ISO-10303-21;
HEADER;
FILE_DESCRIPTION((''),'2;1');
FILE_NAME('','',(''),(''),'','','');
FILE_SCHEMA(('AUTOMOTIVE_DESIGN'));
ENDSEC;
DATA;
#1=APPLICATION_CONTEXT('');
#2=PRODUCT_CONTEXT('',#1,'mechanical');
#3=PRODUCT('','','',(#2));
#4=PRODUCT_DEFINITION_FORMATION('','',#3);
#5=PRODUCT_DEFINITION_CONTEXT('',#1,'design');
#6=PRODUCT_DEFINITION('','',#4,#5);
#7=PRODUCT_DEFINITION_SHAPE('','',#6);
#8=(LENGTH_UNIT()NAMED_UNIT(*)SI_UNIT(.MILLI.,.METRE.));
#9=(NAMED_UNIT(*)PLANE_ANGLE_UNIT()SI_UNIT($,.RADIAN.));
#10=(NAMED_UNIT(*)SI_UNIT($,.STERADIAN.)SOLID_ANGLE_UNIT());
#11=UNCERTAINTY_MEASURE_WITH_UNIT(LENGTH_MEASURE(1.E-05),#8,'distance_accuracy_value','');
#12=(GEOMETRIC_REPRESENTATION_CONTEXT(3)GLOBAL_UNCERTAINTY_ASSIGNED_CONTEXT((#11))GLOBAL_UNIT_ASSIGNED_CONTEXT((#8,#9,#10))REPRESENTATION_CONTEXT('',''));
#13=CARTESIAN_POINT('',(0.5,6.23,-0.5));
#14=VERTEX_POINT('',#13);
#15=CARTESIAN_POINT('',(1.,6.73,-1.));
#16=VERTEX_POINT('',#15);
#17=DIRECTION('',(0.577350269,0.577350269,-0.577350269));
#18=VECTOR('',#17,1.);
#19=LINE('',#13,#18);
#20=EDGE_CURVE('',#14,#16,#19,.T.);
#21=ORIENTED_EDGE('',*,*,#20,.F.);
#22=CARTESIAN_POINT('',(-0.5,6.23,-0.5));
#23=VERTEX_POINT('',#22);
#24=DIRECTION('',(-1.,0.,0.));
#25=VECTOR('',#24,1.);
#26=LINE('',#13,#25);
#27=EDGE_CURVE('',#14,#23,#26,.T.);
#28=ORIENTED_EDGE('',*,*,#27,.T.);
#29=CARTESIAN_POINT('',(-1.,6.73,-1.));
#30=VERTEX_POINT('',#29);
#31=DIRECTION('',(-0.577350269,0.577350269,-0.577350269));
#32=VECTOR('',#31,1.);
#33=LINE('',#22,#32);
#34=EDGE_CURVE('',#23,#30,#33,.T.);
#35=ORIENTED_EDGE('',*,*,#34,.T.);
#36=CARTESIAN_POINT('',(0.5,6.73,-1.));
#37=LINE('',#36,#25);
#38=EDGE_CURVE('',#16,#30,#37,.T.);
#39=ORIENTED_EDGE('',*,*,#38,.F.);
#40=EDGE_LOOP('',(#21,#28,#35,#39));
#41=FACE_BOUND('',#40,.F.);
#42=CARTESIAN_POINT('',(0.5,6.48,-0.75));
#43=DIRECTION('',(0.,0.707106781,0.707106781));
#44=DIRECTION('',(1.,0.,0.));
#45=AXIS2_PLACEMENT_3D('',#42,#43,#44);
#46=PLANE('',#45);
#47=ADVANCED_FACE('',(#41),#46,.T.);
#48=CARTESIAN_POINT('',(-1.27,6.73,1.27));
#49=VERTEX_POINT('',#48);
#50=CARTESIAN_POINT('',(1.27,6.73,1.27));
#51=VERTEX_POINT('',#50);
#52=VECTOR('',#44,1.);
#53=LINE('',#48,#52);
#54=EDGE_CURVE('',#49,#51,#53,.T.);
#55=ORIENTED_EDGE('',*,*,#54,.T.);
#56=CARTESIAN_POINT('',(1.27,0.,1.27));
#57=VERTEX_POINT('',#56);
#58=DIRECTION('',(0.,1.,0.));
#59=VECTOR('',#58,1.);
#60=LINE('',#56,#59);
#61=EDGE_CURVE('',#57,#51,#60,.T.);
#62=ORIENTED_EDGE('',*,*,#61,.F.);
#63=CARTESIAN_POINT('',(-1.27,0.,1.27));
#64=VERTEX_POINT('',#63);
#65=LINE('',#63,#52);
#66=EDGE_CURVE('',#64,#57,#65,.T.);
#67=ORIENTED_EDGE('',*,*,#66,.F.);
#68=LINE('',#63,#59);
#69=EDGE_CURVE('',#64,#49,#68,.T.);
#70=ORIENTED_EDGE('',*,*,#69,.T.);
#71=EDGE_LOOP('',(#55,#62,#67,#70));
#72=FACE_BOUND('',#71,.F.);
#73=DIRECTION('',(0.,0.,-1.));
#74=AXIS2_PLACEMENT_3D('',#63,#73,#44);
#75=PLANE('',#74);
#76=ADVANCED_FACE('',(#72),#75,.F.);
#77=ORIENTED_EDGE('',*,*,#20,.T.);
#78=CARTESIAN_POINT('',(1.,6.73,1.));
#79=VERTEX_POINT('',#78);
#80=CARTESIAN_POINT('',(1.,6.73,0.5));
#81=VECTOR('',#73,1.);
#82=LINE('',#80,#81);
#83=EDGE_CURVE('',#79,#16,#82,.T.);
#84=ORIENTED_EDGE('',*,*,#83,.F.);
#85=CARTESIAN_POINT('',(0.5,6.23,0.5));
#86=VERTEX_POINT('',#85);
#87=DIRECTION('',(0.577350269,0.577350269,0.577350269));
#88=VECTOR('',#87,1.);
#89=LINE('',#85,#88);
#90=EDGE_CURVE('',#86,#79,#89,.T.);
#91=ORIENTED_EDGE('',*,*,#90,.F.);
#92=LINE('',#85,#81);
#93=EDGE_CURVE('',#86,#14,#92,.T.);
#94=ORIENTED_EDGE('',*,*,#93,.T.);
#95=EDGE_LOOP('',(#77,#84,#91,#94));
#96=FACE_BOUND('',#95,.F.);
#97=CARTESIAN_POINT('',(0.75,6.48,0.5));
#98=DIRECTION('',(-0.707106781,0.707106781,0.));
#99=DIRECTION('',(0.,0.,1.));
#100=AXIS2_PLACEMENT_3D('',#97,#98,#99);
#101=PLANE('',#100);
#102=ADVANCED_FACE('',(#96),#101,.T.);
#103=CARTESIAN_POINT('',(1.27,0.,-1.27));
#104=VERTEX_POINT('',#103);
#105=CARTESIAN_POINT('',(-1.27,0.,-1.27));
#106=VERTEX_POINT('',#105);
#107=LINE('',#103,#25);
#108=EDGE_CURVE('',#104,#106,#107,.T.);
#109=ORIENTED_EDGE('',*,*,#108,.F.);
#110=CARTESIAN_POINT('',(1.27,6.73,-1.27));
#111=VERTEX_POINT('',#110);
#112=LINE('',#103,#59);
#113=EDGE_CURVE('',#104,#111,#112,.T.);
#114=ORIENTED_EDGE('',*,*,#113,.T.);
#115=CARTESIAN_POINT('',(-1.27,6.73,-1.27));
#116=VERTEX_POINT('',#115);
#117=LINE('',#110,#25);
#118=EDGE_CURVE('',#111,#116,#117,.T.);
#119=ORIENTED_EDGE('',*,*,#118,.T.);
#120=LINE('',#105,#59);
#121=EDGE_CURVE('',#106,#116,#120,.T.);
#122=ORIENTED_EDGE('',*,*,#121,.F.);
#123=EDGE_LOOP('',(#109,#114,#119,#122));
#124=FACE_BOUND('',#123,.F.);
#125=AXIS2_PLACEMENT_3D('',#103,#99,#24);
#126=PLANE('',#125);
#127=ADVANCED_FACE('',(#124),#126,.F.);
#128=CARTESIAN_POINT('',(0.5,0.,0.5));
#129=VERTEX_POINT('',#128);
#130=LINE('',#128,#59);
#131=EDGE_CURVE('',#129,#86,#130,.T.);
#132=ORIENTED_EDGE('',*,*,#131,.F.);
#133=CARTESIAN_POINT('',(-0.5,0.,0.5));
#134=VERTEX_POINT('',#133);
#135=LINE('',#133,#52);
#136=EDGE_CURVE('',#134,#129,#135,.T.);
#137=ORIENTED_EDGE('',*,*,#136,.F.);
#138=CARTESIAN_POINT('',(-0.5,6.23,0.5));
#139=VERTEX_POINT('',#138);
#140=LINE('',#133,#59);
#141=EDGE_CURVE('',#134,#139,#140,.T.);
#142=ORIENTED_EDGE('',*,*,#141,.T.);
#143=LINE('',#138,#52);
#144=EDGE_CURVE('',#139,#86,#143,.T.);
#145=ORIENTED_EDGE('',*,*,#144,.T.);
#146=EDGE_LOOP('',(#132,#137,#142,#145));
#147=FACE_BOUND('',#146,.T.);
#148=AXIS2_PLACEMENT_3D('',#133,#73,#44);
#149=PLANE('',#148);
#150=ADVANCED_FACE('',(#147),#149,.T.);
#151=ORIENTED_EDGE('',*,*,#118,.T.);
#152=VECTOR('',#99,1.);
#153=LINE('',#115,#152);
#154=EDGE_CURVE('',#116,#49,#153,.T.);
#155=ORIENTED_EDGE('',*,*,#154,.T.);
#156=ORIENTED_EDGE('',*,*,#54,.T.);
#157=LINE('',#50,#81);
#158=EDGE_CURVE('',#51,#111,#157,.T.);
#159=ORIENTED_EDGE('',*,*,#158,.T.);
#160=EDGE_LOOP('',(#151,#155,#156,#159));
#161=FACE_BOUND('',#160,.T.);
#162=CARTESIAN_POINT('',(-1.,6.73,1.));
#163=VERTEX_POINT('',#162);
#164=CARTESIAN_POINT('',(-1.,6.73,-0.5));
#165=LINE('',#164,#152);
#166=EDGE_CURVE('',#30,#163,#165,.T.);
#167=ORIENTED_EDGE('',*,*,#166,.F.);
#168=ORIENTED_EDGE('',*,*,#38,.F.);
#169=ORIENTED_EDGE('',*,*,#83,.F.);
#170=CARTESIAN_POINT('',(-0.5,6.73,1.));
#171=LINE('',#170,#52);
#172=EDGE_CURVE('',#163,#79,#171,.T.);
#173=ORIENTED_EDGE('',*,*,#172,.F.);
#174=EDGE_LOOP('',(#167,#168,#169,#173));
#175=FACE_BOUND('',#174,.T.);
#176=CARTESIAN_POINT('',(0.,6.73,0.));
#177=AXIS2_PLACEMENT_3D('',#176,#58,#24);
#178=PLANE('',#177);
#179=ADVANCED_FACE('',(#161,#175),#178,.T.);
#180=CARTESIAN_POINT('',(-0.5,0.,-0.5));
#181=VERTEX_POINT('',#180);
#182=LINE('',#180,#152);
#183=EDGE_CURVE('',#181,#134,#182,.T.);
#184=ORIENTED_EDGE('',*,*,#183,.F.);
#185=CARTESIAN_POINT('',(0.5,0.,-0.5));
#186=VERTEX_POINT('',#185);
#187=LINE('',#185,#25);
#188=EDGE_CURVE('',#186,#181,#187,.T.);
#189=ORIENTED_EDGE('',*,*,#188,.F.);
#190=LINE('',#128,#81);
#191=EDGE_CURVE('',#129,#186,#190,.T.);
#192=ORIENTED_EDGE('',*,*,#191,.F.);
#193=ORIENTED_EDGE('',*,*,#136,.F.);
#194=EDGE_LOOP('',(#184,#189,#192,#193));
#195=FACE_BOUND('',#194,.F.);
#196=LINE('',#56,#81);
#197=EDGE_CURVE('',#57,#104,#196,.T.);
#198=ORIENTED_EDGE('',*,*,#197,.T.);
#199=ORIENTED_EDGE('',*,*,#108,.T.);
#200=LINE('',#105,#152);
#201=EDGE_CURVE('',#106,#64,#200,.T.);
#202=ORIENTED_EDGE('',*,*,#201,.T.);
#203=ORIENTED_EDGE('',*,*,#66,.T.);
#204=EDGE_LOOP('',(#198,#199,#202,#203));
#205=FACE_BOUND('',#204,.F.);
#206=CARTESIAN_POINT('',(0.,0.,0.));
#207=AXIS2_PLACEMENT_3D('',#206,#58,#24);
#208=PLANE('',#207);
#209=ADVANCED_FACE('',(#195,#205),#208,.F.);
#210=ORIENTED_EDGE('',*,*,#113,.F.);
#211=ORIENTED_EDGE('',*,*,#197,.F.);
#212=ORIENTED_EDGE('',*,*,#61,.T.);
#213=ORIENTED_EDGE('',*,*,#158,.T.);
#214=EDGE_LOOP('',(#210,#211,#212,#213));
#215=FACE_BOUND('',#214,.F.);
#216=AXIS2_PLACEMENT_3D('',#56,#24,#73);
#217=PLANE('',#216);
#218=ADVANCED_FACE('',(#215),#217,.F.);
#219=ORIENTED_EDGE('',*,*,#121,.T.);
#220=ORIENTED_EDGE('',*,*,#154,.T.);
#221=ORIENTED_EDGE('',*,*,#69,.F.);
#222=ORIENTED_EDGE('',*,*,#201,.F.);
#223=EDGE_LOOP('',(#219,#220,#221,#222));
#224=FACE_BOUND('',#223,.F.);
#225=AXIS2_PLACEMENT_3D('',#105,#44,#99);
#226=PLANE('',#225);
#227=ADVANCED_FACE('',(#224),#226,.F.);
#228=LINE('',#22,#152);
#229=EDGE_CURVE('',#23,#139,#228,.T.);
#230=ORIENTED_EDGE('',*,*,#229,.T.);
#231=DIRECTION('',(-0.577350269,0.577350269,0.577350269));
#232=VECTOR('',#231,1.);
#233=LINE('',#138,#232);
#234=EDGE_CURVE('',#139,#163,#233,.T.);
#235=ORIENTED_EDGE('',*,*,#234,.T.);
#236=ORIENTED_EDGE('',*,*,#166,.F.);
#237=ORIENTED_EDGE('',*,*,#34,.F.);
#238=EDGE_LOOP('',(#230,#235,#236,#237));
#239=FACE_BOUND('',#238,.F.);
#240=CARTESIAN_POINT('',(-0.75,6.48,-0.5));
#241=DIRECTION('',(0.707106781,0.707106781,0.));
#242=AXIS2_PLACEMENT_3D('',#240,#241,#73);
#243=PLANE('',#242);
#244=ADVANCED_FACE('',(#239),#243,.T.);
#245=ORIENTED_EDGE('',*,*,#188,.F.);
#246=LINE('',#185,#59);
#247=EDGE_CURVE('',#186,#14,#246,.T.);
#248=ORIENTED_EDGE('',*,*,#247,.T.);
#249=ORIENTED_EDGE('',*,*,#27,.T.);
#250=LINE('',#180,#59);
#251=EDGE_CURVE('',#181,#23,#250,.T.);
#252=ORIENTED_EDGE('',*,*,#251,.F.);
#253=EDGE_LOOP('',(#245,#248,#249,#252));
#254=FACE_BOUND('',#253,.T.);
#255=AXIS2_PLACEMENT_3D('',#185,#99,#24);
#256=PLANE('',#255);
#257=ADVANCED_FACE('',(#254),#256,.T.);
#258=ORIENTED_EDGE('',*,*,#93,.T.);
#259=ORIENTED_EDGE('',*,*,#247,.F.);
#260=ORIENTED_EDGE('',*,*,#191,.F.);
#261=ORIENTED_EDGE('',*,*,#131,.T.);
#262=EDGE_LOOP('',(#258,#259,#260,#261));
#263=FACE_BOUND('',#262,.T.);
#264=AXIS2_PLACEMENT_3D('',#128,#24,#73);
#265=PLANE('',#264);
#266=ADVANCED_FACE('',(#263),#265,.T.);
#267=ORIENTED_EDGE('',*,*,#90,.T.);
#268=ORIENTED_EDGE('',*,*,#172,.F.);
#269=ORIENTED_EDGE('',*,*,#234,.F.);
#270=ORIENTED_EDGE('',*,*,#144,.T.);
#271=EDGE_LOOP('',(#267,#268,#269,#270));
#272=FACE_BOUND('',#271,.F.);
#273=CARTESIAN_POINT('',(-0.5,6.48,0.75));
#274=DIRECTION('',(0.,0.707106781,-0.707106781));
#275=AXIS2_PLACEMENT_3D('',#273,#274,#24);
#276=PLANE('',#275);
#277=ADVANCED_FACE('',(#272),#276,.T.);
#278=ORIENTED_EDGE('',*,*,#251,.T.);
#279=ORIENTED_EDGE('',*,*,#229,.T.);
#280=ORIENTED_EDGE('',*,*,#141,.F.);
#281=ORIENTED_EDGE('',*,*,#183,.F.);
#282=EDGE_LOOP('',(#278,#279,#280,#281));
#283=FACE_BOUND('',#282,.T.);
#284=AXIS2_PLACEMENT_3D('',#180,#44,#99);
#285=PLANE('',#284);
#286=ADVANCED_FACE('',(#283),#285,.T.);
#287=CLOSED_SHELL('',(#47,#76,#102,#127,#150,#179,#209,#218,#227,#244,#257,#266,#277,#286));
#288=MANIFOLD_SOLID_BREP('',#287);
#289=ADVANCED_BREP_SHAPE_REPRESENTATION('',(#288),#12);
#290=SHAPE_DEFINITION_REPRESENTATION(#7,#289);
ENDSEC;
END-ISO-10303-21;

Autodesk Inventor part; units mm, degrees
ref_plane "YZ Plane" through (0, 0, 0) normal (1, 0, 0) x (0, 1, 0)
ref_plane "XZ Plane" through (0, 0, 0) normal (0, 1, 0) x (-1, 0, 0)
ref_plane "XY Plane" through (0, 0, 0) normal (0, 0, 1) x (1, 0, 0)
sketch "Sketch1" plane through (0, 0, 0) normal (0, 1, 0) x (-1, 0, 0)
  line L0 (1.27, 1.27) -> (-1.27, 1.27)
  line L1 (-1.27, 1.27) -> (-1.27, -1.27)
  line L2 (-1.27, -1.27) -> (1.27, -1.27)
  line L3 (1.27, -1.27) -> (1.27, 1.27)
  line L4 (1.27, 1.27) -> (-1.27, -1.27) construction
  line L5 (-1.27, 1.27) -> (1.27, -1.27) construction
  line L6 (0.5, 0.5) -> (-0.5, 0.5)
  line L7 (-0.5, 0.5) -> (-0.5, -0.5)
  line L8 (-0.5, -0.5) -> (0.5, -0.5)
  line L9 (0.5, -0.5) -> (0.5, 0.5)
  line L10 (0.5, 0.5) -> (-0.5, -0.5) construction
  line L11 (-0.5, 0.5) -> (0.5, -0.5) construction
  point P0 (0, 0)
  dimension "d0" = 2.54
  dimension "d1" = 2.54
  dimension "d2" = 1
  dimension "d3" = 1
extrude "Extrusion1" add sketch "Sketch1" along normal blind 6.73
chamfer "Chamfer1" distance 0.5 angle 45 4 edges at (-0.5, 6.73, 0) (0, 6.73, -0.5) (0.5, 6.73, 0) (0, 6.73, 0.5)
properties part number "pinShroud" material "ABS Plastic"
